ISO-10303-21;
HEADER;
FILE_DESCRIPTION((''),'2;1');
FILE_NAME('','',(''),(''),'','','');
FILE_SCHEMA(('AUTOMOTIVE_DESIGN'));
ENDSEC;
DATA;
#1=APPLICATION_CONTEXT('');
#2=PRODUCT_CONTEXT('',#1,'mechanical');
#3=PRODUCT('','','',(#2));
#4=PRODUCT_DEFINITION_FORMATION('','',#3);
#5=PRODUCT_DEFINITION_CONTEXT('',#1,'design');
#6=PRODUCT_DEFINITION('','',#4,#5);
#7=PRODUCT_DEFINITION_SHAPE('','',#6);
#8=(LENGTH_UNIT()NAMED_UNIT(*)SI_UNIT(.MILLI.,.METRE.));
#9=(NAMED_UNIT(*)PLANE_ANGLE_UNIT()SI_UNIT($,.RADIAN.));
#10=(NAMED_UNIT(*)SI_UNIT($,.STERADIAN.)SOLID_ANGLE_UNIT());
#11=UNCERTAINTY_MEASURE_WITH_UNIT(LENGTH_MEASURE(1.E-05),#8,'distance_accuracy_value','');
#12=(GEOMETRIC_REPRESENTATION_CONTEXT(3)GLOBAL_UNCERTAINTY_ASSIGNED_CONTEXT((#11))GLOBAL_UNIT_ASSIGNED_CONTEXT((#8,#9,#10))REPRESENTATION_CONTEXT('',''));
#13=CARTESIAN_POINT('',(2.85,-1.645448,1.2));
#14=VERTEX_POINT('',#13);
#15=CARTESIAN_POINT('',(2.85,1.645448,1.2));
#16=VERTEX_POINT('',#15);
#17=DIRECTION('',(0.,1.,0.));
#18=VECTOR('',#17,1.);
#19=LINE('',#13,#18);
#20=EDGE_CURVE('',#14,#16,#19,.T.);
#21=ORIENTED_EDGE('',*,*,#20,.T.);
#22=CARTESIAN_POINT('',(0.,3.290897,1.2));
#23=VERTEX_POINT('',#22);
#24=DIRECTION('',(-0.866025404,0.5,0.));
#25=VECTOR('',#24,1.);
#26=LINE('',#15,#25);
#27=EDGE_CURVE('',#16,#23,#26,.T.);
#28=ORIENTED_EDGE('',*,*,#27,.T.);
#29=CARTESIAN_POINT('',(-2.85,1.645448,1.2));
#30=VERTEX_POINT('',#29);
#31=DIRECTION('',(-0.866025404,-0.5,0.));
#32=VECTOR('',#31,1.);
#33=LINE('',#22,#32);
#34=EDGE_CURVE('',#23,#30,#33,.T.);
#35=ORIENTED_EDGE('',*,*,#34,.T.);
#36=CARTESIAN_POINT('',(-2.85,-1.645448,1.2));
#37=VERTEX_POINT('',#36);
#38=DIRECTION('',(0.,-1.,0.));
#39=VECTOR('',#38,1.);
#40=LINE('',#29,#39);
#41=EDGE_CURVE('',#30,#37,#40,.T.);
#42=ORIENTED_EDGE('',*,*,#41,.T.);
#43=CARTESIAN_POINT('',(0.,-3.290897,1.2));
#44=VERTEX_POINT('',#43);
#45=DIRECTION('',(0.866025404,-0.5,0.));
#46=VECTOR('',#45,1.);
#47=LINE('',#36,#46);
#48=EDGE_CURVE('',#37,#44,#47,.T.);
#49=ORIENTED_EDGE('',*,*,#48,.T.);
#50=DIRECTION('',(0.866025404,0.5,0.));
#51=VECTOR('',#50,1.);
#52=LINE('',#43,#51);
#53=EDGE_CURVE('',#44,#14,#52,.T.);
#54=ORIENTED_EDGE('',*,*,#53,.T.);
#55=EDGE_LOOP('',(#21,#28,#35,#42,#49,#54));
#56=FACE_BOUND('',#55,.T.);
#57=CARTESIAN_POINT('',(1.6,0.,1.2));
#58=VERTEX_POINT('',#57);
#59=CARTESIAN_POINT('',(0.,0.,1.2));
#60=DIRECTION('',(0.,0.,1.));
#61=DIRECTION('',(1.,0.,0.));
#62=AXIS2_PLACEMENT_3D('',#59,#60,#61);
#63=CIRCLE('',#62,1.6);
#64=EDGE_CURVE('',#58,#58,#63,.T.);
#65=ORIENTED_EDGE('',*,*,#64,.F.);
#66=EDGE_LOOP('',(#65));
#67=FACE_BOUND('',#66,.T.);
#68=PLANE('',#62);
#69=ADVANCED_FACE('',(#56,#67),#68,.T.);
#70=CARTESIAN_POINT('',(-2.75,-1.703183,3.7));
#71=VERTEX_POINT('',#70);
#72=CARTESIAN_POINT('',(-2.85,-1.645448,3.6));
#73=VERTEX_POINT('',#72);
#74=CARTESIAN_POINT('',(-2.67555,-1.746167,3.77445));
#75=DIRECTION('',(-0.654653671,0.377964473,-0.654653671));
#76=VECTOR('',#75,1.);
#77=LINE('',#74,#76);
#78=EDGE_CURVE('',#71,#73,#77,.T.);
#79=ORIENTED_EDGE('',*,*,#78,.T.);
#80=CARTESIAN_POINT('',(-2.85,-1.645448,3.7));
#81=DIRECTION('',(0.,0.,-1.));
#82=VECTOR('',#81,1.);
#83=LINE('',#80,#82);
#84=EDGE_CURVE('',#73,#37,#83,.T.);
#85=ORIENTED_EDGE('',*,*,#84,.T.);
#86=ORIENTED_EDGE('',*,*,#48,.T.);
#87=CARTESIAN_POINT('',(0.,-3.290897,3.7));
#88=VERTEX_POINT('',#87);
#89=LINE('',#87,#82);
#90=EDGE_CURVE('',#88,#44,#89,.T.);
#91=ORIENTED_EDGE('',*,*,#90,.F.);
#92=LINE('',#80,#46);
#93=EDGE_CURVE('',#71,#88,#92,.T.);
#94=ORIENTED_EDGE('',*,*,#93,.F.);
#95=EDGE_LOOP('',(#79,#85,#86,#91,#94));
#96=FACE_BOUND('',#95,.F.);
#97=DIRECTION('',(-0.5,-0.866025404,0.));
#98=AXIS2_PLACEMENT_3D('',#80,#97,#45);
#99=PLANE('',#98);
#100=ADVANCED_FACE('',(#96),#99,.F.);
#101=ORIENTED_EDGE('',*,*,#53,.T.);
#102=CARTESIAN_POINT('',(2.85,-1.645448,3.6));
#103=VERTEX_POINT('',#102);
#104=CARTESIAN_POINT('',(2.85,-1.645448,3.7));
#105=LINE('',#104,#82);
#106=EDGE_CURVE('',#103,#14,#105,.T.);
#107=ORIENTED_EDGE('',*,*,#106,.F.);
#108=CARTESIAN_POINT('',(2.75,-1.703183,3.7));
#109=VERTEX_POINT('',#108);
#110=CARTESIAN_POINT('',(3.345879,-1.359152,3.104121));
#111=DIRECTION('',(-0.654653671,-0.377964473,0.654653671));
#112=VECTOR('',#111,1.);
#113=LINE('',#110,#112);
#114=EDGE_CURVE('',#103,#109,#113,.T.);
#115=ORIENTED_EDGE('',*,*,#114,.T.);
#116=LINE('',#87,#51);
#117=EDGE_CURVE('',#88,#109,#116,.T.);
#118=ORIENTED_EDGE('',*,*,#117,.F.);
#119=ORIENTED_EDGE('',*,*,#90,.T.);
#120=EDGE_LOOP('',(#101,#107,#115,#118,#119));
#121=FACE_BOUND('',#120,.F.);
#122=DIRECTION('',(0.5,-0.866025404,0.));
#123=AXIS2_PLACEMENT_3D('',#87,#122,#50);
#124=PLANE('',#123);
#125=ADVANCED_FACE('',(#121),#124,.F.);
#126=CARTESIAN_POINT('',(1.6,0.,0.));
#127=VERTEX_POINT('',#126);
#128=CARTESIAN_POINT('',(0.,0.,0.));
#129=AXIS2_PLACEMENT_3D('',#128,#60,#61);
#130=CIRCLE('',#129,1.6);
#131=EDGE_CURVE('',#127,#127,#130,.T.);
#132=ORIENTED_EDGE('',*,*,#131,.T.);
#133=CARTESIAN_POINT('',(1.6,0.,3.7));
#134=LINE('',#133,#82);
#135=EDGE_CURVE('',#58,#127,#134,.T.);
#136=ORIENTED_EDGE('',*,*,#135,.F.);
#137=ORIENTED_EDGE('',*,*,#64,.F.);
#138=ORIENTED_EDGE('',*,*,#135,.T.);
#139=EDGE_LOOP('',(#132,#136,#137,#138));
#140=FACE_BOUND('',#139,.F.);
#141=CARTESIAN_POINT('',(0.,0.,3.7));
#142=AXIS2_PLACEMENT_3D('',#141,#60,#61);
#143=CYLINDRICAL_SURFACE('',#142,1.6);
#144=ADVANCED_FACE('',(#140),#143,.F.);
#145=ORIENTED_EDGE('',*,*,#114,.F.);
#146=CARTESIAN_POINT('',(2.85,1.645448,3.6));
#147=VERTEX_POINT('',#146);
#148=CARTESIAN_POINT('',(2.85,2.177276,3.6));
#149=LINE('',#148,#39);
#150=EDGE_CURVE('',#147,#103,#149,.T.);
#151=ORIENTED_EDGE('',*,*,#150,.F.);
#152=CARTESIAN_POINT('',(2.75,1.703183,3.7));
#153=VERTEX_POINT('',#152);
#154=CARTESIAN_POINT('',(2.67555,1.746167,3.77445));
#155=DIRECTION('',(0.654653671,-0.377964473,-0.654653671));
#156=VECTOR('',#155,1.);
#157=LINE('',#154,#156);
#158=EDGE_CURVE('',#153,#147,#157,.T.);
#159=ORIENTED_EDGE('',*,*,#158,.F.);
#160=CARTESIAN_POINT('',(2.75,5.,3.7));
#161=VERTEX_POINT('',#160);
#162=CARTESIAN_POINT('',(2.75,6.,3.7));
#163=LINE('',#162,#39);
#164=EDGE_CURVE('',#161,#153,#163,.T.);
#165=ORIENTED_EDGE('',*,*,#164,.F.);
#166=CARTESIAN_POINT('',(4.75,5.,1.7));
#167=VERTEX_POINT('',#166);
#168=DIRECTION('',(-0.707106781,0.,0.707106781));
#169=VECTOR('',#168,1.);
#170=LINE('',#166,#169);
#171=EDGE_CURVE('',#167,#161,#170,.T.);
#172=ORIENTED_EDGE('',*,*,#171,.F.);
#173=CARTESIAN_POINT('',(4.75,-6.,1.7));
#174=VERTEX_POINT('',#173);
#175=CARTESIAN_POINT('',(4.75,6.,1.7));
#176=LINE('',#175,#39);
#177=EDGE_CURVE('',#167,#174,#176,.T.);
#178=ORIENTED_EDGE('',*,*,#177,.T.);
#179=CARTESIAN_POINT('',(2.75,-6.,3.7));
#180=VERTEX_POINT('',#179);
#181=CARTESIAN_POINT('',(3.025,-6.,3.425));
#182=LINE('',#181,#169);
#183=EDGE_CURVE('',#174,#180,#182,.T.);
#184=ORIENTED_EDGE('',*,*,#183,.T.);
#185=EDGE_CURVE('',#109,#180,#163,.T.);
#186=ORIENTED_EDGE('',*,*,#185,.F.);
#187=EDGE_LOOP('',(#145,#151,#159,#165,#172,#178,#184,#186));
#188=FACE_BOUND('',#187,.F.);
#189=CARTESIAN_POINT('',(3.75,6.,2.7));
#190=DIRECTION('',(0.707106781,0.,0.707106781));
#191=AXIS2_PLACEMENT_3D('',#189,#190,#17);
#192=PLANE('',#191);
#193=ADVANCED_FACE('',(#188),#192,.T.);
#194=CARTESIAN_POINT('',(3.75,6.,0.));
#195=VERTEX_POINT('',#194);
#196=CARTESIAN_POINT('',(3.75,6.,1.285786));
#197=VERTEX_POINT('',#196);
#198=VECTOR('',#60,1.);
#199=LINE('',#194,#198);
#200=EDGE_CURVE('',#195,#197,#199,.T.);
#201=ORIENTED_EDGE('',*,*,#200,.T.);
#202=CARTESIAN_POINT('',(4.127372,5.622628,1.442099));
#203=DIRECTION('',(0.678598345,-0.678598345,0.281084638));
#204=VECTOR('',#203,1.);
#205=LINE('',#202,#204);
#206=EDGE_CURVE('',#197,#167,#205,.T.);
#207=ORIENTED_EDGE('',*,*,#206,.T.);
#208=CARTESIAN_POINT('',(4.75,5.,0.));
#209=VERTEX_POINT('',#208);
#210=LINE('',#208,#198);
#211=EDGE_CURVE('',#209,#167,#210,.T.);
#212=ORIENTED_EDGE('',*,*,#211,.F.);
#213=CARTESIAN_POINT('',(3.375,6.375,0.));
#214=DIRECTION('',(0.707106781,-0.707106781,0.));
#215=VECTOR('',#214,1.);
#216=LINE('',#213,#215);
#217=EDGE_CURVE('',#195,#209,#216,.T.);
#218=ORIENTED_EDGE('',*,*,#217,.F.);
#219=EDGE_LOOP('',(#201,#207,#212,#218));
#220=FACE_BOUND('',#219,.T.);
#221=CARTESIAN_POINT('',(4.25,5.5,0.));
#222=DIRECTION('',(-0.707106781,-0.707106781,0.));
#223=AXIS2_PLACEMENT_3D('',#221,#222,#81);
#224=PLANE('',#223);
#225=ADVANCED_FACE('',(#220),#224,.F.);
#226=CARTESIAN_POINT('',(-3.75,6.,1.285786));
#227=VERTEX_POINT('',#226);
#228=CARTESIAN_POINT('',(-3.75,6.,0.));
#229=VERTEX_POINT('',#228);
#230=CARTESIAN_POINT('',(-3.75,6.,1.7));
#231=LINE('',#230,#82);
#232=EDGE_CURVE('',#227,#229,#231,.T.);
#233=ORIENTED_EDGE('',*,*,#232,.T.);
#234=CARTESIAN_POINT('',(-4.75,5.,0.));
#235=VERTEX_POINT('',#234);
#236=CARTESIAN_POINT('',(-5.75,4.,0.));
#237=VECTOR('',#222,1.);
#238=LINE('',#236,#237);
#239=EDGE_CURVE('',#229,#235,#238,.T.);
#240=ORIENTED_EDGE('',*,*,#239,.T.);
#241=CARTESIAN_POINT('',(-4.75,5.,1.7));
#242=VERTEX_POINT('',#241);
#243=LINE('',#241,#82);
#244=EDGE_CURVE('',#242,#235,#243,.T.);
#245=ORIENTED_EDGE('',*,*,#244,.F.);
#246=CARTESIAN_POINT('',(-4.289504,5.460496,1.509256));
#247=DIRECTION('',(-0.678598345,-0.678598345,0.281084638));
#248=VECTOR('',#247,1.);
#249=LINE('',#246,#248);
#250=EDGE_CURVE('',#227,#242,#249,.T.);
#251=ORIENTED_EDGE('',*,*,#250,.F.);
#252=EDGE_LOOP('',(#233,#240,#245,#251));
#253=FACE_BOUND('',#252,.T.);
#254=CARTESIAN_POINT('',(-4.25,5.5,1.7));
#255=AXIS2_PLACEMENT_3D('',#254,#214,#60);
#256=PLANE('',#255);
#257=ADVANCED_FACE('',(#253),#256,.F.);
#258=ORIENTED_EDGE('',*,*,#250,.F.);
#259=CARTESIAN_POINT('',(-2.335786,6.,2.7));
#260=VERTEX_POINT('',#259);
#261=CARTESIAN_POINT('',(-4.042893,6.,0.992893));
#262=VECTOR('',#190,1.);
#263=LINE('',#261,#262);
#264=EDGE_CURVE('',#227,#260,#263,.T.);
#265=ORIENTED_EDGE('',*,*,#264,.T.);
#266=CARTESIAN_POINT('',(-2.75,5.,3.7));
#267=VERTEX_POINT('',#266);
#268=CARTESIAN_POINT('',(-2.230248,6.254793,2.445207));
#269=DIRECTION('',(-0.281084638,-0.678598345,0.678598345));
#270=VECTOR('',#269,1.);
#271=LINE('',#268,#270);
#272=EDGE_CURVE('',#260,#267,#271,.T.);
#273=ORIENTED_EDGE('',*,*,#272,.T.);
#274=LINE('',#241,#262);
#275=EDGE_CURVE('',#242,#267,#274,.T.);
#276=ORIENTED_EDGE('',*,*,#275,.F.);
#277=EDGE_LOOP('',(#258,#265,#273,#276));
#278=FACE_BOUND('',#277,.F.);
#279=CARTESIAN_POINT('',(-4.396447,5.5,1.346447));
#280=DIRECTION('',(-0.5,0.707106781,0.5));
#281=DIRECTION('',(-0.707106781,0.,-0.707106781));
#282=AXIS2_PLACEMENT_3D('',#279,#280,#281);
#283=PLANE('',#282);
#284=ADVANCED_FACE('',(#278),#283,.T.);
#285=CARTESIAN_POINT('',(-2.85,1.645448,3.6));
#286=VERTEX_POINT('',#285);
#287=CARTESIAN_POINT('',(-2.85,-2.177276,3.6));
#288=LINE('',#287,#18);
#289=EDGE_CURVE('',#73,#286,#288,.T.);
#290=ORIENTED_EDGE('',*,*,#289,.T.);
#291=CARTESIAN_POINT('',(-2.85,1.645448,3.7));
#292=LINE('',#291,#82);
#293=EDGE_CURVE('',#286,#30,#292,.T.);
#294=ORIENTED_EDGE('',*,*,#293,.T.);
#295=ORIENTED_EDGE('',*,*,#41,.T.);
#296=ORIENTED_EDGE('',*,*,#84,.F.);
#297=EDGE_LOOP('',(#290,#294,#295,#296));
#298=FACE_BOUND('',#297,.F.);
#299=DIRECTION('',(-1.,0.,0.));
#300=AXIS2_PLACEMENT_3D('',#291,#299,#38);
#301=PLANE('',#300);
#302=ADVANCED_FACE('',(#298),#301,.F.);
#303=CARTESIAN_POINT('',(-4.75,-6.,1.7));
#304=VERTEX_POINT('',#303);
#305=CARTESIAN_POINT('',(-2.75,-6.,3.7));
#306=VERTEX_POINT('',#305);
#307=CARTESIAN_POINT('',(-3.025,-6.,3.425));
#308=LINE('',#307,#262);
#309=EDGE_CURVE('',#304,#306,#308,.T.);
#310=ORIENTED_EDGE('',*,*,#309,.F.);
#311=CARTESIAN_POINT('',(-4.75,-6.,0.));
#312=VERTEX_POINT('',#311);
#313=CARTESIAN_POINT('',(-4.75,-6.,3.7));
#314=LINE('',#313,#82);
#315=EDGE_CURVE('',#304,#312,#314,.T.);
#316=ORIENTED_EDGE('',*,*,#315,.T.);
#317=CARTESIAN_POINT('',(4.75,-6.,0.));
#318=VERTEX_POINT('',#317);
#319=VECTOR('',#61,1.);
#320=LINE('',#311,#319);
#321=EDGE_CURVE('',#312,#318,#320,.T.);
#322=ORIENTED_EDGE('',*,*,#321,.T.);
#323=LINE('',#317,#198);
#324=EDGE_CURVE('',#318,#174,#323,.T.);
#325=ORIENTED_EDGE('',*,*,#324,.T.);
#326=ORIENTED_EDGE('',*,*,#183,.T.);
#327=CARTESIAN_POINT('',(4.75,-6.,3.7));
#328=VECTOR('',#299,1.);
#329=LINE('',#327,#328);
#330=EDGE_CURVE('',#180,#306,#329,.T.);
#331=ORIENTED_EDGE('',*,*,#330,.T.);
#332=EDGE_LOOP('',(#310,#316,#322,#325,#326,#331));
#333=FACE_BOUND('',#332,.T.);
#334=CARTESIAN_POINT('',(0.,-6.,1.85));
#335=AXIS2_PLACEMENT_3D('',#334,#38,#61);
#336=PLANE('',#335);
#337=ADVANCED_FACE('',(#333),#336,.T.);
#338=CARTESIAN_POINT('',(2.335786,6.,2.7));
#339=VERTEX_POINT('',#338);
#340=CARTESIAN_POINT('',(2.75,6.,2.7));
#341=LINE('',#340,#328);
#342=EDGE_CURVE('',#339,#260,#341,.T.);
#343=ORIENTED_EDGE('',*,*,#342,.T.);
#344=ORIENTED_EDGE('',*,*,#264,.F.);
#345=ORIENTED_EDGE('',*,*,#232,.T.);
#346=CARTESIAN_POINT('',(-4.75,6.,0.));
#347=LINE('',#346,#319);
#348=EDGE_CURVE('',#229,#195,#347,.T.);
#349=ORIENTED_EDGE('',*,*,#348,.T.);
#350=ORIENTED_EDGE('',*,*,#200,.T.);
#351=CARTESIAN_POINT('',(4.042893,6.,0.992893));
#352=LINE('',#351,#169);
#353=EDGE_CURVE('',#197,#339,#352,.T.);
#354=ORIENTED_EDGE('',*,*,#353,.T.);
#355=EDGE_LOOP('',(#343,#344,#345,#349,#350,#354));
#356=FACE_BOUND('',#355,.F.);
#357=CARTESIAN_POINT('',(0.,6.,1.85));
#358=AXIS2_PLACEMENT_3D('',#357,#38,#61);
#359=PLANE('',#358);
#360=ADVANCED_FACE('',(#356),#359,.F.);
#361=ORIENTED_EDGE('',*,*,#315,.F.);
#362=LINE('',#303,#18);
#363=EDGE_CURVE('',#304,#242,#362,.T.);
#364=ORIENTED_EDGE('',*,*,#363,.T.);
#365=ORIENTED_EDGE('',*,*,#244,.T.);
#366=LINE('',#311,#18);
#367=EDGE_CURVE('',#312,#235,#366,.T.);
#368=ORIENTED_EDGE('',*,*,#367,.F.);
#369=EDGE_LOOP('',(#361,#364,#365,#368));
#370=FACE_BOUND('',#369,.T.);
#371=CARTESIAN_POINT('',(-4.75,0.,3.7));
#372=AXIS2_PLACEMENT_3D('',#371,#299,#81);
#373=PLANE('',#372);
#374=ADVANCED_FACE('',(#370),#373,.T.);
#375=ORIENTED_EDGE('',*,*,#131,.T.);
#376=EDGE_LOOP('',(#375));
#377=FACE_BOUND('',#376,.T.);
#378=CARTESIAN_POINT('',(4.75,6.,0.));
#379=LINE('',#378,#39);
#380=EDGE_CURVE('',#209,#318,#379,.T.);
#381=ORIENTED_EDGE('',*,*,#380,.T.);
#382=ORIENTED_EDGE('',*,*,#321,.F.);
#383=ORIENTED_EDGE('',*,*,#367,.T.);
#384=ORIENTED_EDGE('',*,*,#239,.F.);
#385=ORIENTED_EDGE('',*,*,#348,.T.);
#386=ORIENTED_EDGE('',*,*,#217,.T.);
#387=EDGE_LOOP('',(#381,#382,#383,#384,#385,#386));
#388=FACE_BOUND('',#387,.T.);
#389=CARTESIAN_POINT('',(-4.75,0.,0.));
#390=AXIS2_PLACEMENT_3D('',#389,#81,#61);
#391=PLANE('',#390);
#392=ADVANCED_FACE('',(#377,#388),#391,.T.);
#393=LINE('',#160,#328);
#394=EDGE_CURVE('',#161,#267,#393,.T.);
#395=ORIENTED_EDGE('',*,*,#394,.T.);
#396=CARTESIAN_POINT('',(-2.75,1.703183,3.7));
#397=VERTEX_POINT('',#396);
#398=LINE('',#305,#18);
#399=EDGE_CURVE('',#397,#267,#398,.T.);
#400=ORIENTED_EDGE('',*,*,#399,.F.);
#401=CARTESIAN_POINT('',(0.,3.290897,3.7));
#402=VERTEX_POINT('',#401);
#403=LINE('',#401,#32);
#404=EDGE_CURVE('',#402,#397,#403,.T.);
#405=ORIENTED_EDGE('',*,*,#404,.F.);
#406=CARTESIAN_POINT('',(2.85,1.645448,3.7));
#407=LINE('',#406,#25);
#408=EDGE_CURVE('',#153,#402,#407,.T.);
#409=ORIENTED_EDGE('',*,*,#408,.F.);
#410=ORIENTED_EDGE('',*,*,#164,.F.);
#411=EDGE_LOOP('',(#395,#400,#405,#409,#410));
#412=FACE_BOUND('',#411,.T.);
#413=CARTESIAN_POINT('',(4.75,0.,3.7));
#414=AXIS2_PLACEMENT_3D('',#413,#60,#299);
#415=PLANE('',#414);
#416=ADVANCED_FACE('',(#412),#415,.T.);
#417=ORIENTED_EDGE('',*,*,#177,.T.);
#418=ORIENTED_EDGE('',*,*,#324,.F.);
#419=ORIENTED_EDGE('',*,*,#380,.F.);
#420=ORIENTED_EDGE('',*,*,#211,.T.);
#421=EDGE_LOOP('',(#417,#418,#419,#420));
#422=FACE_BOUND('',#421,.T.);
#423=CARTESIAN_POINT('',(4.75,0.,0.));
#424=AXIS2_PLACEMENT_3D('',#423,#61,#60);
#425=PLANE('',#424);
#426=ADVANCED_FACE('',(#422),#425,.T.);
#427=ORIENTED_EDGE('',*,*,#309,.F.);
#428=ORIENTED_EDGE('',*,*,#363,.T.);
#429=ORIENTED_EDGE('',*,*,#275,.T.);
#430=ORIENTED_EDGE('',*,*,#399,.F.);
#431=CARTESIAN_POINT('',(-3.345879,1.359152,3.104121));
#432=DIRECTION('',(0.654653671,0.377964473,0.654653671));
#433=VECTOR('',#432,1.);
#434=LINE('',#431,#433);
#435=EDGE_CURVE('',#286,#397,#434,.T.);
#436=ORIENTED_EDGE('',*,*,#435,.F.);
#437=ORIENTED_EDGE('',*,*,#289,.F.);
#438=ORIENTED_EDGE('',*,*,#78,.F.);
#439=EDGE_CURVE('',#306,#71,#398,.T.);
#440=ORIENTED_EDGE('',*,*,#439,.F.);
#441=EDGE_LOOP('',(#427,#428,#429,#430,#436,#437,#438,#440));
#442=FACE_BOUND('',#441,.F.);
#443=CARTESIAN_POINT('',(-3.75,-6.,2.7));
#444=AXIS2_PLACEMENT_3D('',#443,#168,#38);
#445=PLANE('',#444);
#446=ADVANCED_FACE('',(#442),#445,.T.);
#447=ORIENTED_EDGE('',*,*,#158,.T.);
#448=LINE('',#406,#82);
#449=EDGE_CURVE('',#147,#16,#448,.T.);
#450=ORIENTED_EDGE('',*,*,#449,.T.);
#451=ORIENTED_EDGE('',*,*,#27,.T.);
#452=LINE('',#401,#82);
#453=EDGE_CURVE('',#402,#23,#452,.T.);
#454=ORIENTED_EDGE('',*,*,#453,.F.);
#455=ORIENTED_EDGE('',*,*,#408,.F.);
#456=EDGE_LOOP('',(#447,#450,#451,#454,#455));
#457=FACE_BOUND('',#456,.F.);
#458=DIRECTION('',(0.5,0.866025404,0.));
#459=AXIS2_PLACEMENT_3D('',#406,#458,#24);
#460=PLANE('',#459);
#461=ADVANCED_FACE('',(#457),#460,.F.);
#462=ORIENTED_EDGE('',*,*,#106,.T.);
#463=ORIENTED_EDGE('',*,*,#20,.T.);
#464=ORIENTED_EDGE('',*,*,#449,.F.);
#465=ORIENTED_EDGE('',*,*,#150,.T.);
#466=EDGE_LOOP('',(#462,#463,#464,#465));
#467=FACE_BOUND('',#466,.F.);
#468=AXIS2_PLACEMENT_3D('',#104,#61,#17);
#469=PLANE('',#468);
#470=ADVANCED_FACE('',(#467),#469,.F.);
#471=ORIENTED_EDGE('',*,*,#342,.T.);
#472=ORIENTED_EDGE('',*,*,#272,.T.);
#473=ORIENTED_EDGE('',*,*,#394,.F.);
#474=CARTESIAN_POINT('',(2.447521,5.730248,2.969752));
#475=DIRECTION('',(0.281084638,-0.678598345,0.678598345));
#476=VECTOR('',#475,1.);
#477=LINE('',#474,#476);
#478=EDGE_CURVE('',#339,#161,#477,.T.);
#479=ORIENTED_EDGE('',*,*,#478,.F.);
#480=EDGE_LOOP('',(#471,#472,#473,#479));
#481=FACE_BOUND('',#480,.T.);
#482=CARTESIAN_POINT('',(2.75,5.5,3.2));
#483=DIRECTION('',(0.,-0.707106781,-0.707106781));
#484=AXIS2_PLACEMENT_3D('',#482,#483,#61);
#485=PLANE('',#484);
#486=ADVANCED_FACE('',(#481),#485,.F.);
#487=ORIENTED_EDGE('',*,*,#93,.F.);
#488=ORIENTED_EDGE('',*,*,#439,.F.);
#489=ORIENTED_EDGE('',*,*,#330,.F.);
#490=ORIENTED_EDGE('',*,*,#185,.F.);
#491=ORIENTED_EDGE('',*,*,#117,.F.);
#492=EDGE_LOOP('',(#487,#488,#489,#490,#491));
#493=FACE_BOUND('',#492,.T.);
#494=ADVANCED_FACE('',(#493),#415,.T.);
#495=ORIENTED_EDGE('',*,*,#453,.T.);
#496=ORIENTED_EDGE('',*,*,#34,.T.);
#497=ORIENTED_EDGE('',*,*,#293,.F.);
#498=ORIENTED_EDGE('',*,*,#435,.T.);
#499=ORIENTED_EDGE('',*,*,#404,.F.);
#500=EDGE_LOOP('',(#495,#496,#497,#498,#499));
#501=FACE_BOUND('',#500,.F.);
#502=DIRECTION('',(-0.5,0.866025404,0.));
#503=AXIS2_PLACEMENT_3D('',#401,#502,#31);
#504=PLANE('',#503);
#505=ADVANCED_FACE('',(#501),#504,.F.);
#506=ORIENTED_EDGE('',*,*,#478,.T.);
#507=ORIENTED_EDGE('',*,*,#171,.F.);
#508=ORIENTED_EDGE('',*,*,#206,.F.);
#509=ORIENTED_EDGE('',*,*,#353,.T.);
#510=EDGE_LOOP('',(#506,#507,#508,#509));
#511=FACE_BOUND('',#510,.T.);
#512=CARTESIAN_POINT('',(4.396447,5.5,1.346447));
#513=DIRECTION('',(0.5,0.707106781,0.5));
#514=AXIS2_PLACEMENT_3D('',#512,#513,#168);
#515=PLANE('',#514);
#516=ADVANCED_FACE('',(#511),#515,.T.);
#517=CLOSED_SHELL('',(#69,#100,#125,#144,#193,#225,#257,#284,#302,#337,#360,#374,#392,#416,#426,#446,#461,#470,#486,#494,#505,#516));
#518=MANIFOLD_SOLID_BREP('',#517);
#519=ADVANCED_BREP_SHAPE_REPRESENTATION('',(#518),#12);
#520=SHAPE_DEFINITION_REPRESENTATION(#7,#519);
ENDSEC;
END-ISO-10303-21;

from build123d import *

# Parameters (mm, degrees)
F1_DEPTH = 6
F2_R     = 1.6
F3_DEPTH = 3.7
F5_SIZE2 = 2
F5_SIZE  = 2
F6_DEPTH = 2.5
F7_SIZE  = 1


with BuildPart() as f1:
    # F0 (on Front) → F1 (new body, symmetric)
    with BuildSketch(Plane.XZ):
        Polygon((-4.75, 0), (0, 0), (4.75, 0), (4.75, 3.7), (-4.75, 3.7), align=None)
    extrude(amount=F1_DEPTH, both=True)

    # F2 (on face) → F3 (cut, through all)
    with BuildSketch(Plane.XY.offset(3.7)):
        Circle(F2_R)
    extrude(amount=-F3_DEPTH, mode=Mode.SUBTRACT)

    # F5
    f5_edges = [f1.edges().sort_by_distance(p)[0] for p in [
        (-4.75, 0, 3.7),
        (4.75, 0, 3.7),
    ]]
    chamfer(f5_edges, length=F5_SIZE, length2=F5_SIZE2)

    # F4 (on face) → F6 (cut)
    with BuildSketch(Plane.XY.offset(3.7)):
        Polygon((2.85, -1.6454482672), (2.85, 1.6454482672), (0, 3.2908965344), (-2.85, 1.6454482672), (-2.85, -1.6454482672), (0, -3.2908965344), align=None)
    extrude(amount=-F6_DEPTH, mode=Mode.SUBTRACT)

    # F7
    f7_edges = [f1.edges().sort_by_distance(p)[0] for p in [
        (3.75, 6, 2.7),
        (-3.75, 6, 2.7),
        (-4.75, 6, 0.85),
        (4.75, 6, 0.85),
        (0, 6, 3.7),
    ]]
    chamfer(f7_edges, length=F7_SIZE)


solid = f1.part
